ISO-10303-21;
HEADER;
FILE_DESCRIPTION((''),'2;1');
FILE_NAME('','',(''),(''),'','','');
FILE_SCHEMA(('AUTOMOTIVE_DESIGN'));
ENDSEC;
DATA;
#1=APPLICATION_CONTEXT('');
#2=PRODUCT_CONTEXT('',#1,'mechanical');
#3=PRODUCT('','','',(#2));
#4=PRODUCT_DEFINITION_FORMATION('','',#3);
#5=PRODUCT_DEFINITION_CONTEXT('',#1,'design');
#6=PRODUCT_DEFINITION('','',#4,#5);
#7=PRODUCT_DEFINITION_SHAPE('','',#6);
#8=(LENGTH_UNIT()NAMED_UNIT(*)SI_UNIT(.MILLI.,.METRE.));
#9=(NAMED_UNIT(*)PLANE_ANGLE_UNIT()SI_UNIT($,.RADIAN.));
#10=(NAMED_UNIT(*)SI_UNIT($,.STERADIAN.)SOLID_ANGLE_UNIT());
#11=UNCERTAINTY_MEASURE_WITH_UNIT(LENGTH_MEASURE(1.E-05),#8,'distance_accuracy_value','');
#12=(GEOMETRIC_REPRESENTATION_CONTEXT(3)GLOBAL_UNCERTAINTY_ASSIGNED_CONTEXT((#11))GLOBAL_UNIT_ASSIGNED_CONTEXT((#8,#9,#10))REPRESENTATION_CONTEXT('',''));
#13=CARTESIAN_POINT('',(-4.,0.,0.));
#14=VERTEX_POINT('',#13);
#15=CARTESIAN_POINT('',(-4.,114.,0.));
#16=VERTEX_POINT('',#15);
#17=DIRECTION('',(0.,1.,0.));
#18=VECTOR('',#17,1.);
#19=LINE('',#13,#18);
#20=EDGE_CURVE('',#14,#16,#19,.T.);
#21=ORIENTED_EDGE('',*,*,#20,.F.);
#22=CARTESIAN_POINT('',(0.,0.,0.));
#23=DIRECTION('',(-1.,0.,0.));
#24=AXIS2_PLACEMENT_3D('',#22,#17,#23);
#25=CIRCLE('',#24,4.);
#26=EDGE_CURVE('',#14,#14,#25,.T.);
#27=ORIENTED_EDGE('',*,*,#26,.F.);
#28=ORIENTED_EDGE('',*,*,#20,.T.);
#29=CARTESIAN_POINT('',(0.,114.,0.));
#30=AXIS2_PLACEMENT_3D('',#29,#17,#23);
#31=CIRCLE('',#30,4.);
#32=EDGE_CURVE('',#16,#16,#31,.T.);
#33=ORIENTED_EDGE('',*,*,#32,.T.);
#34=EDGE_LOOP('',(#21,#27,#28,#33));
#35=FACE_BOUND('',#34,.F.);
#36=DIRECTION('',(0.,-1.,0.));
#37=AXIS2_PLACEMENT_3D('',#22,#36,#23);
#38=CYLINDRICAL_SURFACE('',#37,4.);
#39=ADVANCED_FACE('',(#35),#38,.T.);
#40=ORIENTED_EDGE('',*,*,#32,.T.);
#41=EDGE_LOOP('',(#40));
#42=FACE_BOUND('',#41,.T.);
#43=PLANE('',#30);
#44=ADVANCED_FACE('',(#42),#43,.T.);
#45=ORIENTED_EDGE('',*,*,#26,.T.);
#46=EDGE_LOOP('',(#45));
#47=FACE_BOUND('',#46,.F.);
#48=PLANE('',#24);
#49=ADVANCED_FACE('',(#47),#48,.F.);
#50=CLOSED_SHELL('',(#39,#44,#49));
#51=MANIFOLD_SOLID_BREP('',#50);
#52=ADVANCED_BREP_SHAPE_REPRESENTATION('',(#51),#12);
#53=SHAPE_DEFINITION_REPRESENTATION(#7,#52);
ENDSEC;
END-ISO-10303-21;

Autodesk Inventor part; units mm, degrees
ref_plane "YZ Plane" through (0, 0, 0) normal (1, 0, 0) x (0, 1, 0)
ref_plane "XZ Plane" through (0, 0, 0) normal (0, 1, 0) x (-1, 0, 0)
ref_plane "XY Plane" through (0, 0, 0) normal (0, 0, 1) x (1, 0, 0)
sketch "Szkic1" plane through (0, 0, 0) normal (0, 1, 0) x (-1, 0, 0)
  circle A0 centre (0, 0) radius 4
  dimension "d0" = 8
extrude "Wyciągnięcie proste1" add sketch "Szkic1" along normal blind 114
properties part number "pret_krotki"
